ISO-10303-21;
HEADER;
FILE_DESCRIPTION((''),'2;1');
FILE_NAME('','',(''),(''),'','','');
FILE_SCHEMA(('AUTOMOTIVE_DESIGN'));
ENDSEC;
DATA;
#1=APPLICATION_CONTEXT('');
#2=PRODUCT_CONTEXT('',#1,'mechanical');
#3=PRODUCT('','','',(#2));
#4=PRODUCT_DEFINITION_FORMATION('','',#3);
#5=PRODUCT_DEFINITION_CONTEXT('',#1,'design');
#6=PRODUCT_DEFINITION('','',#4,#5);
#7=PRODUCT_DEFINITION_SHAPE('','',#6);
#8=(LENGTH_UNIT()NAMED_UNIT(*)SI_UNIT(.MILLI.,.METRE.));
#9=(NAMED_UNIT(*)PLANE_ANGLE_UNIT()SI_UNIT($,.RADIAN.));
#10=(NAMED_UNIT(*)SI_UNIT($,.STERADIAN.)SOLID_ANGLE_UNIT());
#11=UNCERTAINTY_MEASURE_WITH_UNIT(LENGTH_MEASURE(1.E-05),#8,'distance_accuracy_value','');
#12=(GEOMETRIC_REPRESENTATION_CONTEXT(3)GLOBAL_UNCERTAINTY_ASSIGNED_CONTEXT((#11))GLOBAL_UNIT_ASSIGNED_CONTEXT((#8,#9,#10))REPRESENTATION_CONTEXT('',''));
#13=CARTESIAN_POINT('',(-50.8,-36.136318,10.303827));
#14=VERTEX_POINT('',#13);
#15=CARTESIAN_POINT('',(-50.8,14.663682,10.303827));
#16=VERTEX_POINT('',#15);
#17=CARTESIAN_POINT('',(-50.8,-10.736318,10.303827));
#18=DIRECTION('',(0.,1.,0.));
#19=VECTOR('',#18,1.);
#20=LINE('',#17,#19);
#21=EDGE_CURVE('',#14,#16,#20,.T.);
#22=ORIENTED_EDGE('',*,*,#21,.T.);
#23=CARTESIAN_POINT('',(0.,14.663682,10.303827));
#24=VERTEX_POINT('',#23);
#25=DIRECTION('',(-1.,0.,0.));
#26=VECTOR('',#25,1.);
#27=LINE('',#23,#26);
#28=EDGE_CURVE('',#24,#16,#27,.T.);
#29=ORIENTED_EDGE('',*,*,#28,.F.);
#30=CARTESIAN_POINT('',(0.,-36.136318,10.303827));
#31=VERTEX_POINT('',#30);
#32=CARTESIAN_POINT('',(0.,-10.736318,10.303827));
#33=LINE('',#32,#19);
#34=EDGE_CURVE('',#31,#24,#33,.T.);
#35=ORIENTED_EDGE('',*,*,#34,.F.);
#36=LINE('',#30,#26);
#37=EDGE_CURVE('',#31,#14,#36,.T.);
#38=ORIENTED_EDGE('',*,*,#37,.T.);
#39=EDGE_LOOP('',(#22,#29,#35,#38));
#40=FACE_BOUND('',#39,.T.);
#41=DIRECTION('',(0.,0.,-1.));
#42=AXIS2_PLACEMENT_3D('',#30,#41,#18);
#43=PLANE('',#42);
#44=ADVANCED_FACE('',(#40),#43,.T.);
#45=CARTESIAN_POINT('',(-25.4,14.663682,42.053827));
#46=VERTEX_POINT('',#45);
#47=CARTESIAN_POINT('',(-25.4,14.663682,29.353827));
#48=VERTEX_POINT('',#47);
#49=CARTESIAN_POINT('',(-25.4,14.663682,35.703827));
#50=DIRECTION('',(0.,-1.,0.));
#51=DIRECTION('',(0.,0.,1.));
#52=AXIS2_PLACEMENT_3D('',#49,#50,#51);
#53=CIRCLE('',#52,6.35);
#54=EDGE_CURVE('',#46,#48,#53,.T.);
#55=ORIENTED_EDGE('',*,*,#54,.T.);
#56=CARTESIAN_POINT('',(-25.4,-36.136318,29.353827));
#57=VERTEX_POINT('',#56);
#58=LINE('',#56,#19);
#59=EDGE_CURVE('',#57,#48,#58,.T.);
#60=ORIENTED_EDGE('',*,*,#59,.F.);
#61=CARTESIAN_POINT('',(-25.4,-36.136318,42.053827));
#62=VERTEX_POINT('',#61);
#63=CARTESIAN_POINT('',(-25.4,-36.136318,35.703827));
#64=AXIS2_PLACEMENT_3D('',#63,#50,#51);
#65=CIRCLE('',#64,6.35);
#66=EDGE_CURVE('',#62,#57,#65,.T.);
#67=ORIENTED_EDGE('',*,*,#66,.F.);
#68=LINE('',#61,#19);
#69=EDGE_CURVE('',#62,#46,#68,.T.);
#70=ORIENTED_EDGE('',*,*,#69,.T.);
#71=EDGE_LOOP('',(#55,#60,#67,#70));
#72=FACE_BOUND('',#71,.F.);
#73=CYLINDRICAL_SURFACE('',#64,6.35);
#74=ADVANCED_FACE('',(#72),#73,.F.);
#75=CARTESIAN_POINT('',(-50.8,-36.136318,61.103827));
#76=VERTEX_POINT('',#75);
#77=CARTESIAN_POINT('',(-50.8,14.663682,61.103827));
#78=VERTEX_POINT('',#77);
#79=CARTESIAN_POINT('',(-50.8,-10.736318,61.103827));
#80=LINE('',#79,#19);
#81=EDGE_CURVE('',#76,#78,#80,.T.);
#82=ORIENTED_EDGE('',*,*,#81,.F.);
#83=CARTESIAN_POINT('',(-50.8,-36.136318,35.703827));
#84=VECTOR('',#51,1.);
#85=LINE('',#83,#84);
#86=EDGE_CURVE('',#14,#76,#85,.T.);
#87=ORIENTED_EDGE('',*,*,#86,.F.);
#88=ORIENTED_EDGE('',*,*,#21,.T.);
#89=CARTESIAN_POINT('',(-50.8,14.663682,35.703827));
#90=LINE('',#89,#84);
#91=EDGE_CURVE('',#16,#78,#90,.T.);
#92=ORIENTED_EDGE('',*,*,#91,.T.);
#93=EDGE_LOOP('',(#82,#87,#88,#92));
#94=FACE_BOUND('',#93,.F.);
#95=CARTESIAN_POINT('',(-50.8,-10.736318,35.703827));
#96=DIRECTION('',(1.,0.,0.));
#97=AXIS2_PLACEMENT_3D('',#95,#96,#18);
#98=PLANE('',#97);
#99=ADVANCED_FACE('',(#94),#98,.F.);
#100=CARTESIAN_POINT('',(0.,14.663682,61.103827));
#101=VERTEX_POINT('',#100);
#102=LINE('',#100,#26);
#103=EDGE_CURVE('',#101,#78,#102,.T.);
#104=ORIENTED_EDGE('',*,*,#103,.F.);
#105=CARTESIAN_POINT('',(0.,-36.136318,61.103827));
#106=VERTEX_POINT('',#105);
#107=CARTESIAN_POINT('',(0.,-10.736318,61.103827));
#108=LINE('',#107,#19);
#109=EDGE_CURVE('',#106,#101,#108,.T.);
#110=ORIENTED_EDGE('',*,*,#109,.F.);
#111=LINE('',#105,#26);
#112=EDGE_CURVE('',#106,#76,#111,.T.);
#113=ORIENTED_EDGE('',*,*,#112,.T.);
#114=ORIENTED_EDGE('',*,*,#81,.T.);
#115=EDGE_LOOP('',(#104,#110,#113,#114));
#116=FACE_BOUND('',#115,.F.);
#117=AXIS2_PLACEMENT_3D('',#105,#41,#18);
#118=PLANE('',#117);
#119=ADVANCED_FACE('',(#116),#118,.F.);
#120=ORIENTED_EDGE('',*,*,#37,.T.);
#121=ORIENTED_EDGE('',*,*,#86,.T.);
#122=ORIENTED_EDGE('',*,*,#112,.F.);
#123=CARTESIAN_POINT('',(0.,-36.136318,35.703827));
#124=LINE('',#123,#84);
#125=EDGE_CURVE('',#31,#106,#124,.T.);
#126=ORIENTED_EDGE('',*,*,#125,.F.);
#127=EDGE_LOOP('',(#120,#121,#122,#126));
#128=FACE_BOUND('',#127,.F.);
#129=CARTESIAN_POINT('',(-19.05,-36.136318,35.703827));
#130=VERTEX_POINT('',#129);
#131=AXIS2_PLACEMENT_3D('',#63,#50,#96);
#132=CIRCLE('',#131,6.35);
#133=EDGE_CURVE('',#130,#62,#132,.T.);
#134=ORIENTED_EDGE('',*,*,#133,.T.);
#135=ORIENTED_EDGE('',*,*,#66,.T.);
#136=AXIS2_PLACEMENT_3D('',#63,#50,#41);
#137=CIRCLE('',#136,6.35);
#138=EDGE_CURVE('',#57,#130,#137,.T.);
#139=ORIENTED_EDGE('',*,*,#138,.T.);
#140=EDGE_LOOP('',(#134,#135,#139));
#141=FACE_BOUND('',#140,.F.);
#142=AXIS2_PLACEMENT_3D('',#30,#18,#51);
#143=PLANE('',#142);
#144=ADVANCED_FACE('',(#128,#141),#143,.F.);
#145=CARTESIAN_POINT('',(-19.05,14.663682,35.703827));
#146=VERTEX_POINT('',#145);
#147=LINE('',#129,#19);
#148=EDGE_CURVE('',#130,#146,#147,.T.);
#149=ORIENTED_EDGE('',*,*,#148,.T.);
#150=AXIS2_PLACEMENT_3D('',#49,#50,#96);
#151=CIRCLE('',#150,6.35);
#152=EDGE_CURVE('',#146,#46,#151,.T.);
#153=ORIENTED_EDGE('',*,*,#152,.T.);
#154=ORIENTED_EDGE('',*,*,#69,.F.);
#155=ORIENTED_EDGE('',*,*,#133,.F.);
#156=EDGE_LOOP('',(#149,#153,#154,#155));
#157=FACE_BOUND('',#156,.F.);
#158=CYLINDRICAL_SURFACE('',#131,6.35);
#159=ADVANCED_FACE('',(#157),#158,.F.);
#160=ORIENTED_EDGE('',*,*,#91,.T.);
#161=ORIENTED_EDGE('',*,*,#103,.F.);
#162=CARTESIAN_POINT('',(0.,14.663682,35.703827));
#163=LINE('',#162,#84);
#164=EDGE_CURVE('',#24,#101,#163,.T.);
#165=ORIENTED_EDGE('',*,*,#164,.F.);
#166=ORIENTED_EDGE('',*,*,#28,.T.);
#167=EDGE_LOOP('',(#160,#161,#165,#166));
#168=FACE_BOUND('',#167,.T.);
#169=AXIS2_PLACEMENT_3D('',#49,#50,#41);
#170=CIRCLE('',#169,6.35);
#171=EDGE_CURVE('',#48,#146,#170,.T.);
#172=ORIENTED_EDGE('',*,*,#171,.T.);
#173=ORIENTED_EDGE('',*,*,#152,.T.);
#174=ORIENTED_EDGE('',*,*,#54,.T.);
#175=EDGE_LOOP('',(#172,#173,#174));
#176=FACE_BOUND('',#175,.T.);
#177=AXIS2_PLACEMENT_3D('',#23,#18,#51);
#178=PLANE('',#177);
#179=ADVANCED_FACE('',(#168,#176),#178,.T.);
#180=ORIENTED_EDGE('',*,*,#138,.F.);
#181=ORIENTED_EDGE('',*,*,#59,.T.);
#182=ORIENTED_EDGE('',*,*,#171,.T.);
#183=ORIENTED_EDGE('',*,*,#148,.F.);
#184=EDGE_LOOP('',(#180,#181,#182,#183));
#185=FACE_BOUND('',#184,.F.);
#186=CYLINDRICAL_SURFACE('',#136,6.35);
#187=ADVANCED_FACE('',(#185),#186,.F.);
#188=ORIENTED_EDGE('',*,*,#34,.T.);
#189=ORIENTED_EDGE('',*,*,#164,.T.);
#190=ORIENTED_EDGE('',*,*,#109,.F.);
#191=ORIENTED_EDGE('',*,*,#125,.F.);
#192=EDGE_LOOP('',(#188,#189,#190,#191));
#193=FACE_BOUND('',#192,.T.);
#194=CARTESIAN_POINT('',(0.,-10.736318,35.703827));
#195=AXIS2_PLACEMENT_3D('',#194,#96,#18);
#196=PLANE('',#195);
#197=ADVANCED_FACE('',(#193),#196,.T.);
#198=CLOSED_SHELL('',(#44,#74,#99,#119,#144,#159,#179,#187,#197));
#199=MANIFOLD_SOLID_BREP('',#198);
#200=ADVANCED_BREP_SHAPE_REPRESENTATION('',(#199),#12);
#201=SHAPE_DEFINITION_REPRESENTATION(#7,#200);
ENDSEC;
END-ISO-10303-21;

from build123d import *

# Parameters (mm, degrees)
F0_W     = 50.8
F0_H     = 50.8
F1_DEPTH = 50.8
F3_DEPTH = 50.8


with BuildPart() as f1:
    # F0 (on Right) → F1 (new body)
    with BuildSketch(Plane.YZ):
        with Locations((-10.7363179162, 35.7038274211)):
            Rectangle(F0_W, F0_H)
    extrude(amount=-F1_DEPTH)

    # F2 (on face) → F3 (cut, through all)
    with BuildSketch(Plane.XZ.offset(36.1363179162)):
        with BuildLine():
            Line((-25.4, 29.3538274211), (-25.4, 42.0538274211))
            ThreePointArc((-25.4, 42.0538274211), (-31.75, 35.7038274211), (-25.4, 29.3538274211))
        make_face()
        with BuildLine():
            ThreePointArc((-19.05, 35.7038274211), (-20.9098719395, 40.1939554816), (-25.4, 42.0538274211))
            Line((-25.4, 42.0538274211), (-25.4, 29.3538274211))
            ThreePointArc((-25.4, 29.3538274211), (-20.9098719395, 31.2136993605), (-19.05, 35.7038274211))
        make_face()
    extrude(amount=-F3_DEPTH, mode=Mode.SUBTRACT)


solid = f1.part
